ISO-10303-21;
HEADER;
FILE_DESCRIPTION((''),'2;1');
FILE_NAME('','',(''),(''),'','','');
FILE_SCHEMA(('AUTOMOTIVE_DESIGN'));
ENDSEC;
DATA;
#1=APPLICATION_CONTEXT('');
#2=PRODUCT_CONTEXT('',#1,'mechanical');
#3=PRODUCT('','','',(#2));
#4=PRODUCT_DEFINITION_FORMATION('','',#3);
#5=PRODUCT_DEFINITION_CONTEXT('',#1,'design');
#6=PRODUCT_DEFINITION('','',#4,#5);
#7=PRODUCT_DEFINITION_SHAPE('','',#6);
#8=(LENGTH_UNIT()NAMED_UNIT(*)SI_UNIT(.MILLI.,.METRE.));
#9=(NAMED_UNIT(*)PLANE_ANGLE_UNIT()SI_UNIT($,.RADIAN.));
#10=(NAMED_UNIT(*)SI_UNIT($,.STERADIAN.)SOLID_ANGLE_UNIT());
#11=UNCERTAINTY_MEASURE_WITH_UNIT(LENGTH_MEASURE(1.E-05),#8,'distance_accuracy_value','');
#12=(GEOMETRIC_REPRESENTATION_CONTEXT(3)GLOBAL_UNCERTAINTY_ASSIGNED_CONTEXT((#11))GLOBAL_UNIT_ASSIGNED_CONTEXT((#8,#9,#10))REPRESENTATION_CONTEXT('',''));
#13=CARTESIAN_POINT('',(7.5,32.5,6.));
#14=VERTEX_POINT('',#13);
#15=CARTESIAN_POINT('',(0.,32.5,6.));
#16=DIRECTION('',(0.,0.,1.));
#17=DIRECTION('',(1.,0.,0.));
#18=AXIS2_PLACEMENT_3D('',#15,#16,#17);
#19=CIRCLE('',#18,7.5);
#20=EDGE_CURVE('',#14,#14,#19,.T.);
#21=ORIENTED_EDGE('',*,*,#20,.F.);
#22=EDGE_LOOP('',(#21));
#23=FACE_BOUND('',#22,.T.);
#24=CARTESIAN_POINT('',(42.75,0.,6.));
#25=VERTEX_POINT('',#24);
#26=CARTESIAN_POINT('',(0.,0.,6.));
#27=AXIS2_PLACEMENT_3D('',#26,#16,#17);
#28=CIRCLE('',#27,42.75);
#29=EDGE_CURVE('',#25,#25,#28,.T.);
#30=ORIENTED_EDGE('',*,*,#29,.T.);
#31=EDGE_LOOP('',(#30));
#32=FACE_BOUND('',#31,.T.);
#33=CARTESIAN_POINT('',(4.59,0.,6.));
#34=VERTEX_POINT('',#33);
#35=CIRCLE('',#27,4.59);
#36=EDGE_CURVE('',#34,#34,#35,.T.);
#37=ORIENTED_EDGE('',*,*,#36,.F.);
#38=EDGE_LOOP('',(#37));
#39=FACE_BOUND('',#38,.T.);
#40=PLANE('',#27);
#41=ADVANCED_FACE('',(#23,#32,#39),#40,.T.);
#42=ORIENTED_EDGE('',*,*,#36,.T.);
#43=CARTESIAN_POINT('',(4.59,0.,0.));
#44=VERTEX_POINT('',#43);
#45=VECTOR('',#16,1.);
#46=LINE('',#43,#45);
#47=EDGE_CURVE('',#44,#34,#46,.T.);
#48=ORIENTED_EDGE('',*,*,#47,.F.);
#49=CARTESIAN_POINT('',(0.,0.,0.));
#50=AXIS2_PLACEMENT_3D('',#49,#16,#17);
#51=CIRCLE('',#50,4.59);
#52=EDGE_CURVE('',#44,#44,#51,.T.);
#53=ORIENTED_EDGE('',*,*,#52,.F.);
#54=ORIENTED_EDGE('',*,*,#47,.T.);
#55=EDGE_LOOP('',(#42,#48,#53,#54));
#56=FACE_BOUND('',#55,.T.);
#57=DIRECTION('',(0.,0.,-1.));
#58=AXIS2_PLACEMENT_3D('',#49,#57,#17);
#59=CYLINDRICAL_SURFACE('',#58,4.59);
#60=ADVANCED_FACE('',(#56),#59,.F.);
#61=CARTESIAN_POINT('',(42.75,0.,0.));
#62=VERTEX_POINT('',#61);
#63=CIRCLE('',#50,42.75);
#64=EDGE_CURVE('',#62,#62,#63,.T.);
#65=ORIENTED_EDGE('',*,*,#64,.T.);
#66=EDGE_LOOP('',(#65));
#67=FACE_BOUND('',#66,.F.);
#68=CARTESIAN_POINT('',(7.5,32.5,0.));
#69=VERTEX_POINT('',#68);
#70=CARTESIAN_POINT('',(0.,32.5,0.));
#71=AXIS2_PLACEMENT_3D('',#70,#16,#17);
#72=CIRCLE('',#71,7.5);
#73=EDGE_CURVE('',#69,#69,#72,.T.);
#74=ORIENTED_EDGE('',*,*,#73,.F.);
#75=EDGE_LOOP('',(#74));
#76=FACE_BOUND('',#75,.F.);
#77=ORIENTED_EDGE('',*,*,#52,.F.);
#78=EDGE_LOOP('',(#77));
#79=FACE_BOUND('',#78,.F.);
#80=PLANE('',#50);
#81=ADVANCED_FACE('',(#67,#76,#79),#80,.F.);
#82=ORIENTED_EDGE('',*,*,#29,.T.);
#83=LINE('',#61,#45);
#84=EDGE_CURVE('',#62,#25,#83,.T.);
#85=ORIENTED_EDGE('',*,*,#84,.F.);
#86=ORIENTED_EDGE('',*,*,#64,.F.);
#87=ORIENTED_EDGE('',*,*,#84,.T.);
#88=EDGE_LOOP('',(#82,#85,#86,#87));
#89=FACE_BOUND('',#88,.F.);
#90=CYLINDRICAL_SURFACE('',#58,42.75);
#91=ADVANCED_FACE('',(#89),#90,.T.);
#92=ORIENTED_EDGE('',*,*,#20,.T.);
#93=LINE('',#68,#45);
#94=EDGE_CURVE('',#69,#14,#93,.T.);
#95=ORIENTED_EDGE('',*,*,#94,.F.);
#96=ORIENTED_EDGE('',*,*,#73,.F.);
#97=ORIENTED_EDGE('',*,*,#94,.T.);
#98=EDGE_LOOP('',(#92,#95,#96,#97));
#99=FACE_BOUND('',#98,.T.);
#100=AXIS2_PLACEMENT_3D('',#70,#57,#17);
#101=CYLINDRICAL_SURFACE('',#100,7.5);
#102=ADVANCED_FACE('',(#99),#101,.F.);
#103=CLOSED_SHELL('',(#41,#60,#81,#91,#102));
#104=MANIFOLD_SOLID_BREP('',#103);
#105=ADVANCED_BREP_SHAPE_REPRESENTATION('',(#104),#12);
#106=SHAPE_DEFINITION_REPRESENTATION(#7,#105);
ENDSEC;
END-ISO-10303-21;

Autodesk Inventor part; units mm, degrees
ref_plane "YZ Plane" through (0, 0, 0) normal (1, 0, 0) x (0, 1, 0)
ref_plane "XZ Plane" through (0, 0, 0) normal (0, 1, 0) x (-1, 0, 0)
ref_plane "XY Plane" through (0, 0, 0) normal (0, 0, 1) x (1, 0, 0)
sketch "Sketch1" plane through (0, 0, 0) normal (0, 0, 1) x (1, 0, 0)
  circle A0 centre (0, 0) radius 42.75
  circle A1 centre (0, 0) radius 4.59
  circle A2 centre (0, 32.5) radius 7.5
  dimension "d0" = 85.5
  dimension "d1" = 9.18
  dimension "d4" = 15
  dimension "d6" = 32.5
extrude "Extrusion2" add sketch "Sketch1" along normal blind 6
properties part number "Gland Disk3"
